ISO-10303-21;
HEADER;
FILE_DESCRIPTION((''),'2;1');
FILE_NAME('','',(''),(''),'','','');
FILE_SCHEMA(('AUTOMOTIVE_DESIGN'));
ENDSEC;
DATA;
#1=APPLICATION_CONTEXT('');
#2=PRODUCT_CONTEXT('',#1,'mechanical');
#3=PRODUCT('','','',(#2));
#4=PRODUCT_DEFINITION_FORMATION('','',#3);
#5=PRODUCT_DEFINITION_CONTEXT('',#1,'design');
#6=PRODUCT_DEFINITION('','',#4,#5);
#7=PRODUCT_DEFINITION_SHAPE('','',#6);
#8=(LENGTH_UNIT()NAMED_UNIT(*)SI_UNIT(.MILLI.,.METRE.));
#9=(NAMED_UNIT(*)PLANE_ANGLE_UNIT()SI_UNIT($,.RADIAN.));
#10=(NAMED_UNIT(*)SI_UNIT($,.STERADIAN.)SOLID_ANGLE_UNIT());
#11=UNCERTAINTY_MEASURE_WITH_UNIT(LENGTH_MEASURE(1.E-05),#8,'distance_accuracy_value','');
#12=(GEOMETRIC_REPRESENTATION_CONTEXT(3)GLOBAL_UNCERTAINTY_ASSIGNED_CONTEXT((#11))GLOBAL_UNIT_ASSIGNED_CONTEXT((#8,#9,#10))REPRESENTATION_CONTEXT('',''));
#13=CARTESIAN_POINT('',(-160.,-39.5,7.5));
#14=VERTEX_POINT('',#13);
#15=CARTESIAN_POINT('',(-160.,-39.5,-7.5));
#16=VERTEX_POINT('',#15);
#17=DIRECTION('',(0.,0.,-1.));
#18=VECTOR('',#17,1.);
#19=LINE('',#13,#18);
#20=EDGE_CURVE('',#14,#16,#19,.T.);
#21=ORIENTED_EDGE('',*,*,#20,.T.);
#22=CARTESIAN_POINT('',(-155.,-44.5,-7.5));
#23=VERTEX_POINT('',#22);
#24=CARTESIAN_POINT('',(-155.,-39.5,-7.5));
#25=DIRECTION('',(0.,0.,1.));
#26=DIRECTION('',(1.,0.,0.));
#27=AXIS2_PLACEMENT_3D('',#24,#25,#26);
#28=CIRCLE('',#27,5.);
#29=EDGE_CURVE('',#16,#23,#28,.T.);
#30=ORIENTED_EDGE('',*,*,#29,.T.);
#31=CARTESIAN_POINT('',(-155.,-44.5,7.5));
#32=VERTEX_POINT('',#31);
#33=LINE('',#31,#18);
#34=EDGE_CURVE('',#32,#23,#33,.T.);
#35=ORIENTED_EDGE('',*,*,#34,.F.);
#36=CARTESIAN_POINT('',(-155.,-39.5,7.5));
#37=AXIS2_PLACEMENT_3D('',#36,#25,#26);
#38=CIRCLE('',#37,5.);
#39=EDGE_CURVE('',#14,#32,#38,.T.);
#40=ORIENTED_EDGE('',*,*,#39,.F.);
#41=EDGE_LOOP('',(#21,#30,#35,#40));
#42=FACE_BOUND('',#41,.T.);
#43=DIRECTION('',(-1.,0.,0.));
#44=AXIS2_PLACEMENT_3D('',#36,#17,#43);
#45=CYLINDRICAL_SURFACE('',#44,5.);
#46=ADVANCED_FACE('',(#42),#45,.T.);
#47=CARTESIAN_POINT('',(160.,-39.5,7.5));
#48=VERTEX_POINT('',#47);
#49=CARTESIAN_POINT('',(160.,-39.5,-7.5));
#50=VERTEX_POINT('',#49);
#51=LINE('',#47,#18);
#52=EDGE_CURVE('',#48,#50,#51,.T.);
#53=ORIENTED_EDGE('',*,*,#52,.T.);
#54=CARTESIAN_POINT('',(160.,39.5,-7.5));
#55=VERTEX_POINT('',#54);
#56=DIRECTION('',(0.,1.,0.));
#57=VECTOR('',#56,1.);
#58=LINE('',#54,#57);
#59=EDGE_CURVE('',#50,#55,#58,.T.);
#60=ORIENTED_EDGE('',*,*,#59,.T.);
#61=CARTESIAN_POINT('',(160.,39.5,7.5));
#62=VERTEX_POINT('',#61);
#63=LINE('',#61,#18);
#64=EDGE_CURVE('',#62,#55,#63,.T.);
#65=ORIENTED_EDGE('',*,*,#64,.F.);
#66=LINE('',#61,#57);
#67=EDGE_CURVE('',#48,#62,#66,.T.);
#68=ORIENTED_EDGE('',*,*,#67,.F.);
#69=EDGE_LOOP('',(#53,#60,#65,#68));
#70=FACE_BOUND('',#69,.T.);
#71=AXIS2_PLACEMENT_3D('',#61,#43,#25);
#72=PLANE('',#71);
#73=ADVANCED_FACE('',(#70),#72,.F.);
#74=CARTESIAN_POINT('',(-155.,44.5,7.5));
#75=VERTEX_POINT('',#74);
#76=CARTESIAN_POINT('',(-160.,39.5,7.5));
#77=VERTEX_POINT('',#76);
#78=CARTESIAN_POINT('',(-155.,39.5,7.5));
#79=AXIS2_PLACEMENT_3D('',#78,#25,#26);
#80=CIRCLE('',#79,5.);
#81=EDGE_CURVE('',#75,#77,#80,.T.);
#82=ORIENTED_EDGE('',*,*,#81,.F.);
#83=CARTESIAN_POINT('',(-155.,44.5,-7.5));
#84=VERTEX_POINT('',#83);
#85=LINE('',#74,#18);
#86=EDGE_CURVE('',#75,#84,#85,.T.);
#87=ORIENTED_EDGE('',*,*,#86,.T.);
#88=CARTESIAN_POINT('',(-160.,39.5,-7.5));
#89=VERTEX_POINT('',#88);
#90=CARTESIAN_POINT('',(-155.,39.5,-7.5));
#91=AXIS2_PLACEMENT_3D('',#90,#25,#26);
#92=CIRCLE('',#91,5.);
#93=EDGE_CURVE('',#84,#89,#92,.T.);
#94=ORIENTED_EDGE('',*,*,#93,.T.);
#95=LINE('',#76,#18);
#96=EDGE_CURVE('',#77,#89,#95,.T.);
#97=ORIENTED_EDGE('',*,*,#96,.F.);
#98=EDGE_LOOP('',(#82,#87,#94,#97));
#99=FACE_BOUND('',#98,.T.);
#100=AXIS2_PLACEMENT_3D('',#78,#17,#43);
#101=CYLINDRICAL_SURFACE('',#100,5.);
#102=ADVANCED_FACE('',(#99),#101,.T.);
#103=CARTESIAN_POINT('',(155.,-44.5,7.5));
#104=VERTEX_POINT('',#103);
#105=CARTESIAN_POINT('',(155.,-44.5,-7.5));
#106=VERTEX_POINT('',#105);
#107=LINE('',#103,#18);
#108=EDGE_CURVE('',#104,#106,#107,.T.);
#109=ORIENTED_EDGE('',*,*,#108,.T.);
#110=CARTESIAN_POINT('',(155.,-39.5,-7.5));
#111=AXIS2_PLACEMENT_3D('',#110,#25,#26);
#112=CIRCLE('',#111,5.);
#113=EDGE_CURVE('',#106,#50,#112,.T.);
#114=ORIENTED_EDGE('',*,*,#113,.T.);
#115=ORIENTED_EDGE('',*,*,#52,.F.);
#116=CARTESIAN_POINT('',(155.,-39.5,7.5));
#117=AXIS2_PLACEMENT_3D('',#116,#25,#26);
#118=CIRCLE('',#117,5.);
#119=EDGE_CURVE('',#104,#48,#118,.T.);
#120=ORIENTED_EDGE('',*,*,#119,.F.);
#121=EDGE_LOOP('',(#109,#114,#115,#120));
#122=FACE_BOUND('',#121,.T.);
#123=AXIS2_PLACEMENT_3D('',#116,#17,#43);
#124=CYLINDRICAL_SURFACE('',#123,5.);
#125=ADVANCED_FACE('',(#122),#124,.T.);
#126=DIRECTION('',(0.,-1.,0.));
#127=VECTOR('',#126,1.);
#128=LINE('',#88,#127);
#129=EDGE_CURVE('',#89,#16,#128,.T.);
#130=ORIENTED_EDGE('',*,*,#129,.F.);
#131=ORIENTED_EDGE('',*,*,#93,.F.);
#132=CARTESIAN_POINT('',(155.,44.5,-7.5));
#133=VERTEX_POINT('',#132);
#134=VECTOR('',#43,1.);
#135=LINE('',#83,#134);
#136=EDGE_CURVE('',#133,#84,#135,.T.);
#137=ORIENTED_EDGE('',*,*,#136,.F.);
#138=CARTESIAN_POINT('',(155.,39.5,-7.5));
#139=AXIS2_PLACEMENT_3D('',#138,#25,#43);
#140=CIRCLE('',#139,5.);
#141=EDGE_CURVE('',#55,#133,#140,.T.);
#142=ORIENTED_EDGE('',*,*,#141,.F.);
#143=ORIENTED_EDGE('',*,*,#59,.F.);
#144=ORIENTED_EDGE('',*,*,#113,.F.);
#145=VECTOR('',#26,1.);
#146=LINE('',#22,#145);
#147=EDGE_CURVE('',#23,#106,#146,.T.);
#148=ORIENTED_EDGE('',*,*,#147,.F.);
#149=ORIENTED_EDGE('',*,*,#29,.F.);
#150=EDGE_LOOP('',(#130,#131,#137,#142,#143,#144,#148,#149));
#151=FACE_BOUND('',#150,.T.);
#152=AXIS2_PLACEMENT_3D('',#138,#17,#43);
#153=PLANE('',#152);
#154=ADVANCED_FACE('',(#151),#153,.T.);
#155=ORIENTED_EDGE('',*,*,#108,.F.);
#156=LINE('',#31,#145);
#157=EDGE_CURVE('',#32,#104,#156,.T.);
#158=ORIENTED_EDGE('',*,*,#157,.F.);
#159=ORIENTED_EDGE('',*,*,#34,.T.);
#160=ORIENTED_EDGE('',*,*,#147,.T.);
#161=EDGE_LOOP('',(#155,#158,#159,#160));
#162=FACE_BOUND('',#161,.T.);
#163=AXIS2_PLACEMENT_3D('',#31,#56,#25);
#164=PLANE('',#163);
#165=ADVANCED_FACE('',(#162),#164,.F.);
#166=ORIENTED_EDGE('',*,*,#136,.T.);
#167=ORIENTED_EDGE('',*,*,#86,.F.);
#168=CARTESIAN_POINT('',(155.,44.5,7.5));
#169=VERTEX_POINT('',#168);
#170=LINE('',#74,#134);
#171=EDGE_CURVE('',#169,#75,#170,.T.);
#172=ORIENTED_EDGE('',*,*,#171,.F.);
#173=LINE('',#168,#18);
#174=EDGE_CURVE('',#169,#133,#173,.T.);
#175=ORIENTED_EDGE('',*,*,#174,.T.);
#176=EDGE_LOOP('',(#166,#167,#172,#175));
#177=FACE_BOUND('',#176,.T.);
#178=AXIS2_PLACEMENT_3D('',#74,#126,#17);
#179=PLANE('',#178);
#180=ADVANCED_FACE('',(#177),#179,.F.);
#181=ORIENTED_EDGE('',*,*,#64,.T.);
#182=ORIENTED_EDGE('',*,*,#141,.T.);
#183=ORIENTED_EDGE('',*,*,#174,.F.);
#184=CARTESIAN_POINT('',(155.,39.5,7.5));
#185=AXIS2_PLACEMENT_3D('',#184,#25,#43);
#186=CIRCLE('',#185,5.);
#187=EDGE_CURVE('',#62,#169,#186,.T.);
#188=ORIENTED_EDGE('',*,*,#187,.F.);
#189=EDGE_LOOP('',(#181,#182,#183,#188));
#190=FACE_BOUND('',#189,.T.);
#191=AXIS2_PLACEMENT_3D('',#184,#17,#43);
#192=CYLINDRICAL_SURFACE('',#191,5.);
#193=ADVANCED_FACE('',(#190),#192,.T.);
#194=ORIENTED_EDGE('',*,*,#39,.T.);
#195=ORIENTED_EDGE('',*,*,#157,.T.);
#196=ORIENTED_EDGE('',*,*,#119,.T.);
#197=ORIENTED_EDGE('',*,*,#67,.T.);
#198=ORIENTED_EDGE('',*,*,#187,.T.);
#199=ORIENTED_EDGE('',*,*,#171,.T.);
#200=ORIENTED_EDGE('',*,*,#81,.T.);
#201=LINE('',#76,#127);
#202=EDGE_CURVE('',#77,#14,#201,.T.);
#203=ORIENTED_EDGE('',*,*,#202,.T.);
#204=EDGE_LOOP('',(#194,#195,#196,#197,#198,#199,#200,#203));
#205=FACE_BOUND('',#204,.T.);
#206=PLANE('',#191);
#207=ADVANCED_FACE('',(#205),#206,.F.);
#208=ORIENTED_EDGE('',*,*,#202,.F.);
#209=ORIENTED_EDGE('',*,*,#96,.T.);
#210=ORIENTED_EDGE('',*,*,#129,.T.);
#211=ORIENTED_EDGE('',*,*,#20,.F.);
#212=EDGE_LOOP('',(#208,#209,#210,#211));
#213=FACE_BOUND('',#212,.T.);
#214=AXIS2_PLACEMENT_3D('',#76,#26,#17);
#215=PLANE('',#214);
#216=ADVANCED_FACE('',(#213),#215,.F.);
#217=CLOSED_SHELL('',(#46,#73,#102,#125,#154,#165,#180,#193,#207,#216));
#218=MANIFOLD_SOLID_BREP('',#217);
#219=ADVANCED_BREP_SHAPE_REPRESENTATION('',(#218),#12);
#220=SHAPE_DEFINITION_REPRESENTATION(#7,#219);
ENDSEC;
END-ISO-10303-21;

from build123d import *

# Parameters (mm, degrees)
BOSS_EXTRUDE1_DEPTH = 7.5


with BuildPart() as part:
    # Sketch1 → Boss-Extrude1 (new, symmetric)
    with BuildSketch(Plane.XY):
        with BuildLine():
            Line((-155, 44.5), (155, 44.5))
            ThreePointArc((155, 44.5), (158.535533906, 43.035533906), (160, 39.5))
            Line((160, 39.5), (160, -39.5))
            ThreePointArc((160, -39.5), (158.535533906, -43.035533906), (155, -44.5))
            Line((155, -44.5), (-155, -44.5))
            ThreePointArc((-155, -44.5), (-158.535533906, -43.035533906), (-160, -39.5))
            Line((-160, -39.5), (-160, 39.5))
            ThreePointArc((-160, 39.5), (-158.535533906, 43.035533906), (-155, 44.5))
        make_face()
    extrude(amount=BOSS_EXTRUDE1_DEPTH, both=True)


solid = part.part
